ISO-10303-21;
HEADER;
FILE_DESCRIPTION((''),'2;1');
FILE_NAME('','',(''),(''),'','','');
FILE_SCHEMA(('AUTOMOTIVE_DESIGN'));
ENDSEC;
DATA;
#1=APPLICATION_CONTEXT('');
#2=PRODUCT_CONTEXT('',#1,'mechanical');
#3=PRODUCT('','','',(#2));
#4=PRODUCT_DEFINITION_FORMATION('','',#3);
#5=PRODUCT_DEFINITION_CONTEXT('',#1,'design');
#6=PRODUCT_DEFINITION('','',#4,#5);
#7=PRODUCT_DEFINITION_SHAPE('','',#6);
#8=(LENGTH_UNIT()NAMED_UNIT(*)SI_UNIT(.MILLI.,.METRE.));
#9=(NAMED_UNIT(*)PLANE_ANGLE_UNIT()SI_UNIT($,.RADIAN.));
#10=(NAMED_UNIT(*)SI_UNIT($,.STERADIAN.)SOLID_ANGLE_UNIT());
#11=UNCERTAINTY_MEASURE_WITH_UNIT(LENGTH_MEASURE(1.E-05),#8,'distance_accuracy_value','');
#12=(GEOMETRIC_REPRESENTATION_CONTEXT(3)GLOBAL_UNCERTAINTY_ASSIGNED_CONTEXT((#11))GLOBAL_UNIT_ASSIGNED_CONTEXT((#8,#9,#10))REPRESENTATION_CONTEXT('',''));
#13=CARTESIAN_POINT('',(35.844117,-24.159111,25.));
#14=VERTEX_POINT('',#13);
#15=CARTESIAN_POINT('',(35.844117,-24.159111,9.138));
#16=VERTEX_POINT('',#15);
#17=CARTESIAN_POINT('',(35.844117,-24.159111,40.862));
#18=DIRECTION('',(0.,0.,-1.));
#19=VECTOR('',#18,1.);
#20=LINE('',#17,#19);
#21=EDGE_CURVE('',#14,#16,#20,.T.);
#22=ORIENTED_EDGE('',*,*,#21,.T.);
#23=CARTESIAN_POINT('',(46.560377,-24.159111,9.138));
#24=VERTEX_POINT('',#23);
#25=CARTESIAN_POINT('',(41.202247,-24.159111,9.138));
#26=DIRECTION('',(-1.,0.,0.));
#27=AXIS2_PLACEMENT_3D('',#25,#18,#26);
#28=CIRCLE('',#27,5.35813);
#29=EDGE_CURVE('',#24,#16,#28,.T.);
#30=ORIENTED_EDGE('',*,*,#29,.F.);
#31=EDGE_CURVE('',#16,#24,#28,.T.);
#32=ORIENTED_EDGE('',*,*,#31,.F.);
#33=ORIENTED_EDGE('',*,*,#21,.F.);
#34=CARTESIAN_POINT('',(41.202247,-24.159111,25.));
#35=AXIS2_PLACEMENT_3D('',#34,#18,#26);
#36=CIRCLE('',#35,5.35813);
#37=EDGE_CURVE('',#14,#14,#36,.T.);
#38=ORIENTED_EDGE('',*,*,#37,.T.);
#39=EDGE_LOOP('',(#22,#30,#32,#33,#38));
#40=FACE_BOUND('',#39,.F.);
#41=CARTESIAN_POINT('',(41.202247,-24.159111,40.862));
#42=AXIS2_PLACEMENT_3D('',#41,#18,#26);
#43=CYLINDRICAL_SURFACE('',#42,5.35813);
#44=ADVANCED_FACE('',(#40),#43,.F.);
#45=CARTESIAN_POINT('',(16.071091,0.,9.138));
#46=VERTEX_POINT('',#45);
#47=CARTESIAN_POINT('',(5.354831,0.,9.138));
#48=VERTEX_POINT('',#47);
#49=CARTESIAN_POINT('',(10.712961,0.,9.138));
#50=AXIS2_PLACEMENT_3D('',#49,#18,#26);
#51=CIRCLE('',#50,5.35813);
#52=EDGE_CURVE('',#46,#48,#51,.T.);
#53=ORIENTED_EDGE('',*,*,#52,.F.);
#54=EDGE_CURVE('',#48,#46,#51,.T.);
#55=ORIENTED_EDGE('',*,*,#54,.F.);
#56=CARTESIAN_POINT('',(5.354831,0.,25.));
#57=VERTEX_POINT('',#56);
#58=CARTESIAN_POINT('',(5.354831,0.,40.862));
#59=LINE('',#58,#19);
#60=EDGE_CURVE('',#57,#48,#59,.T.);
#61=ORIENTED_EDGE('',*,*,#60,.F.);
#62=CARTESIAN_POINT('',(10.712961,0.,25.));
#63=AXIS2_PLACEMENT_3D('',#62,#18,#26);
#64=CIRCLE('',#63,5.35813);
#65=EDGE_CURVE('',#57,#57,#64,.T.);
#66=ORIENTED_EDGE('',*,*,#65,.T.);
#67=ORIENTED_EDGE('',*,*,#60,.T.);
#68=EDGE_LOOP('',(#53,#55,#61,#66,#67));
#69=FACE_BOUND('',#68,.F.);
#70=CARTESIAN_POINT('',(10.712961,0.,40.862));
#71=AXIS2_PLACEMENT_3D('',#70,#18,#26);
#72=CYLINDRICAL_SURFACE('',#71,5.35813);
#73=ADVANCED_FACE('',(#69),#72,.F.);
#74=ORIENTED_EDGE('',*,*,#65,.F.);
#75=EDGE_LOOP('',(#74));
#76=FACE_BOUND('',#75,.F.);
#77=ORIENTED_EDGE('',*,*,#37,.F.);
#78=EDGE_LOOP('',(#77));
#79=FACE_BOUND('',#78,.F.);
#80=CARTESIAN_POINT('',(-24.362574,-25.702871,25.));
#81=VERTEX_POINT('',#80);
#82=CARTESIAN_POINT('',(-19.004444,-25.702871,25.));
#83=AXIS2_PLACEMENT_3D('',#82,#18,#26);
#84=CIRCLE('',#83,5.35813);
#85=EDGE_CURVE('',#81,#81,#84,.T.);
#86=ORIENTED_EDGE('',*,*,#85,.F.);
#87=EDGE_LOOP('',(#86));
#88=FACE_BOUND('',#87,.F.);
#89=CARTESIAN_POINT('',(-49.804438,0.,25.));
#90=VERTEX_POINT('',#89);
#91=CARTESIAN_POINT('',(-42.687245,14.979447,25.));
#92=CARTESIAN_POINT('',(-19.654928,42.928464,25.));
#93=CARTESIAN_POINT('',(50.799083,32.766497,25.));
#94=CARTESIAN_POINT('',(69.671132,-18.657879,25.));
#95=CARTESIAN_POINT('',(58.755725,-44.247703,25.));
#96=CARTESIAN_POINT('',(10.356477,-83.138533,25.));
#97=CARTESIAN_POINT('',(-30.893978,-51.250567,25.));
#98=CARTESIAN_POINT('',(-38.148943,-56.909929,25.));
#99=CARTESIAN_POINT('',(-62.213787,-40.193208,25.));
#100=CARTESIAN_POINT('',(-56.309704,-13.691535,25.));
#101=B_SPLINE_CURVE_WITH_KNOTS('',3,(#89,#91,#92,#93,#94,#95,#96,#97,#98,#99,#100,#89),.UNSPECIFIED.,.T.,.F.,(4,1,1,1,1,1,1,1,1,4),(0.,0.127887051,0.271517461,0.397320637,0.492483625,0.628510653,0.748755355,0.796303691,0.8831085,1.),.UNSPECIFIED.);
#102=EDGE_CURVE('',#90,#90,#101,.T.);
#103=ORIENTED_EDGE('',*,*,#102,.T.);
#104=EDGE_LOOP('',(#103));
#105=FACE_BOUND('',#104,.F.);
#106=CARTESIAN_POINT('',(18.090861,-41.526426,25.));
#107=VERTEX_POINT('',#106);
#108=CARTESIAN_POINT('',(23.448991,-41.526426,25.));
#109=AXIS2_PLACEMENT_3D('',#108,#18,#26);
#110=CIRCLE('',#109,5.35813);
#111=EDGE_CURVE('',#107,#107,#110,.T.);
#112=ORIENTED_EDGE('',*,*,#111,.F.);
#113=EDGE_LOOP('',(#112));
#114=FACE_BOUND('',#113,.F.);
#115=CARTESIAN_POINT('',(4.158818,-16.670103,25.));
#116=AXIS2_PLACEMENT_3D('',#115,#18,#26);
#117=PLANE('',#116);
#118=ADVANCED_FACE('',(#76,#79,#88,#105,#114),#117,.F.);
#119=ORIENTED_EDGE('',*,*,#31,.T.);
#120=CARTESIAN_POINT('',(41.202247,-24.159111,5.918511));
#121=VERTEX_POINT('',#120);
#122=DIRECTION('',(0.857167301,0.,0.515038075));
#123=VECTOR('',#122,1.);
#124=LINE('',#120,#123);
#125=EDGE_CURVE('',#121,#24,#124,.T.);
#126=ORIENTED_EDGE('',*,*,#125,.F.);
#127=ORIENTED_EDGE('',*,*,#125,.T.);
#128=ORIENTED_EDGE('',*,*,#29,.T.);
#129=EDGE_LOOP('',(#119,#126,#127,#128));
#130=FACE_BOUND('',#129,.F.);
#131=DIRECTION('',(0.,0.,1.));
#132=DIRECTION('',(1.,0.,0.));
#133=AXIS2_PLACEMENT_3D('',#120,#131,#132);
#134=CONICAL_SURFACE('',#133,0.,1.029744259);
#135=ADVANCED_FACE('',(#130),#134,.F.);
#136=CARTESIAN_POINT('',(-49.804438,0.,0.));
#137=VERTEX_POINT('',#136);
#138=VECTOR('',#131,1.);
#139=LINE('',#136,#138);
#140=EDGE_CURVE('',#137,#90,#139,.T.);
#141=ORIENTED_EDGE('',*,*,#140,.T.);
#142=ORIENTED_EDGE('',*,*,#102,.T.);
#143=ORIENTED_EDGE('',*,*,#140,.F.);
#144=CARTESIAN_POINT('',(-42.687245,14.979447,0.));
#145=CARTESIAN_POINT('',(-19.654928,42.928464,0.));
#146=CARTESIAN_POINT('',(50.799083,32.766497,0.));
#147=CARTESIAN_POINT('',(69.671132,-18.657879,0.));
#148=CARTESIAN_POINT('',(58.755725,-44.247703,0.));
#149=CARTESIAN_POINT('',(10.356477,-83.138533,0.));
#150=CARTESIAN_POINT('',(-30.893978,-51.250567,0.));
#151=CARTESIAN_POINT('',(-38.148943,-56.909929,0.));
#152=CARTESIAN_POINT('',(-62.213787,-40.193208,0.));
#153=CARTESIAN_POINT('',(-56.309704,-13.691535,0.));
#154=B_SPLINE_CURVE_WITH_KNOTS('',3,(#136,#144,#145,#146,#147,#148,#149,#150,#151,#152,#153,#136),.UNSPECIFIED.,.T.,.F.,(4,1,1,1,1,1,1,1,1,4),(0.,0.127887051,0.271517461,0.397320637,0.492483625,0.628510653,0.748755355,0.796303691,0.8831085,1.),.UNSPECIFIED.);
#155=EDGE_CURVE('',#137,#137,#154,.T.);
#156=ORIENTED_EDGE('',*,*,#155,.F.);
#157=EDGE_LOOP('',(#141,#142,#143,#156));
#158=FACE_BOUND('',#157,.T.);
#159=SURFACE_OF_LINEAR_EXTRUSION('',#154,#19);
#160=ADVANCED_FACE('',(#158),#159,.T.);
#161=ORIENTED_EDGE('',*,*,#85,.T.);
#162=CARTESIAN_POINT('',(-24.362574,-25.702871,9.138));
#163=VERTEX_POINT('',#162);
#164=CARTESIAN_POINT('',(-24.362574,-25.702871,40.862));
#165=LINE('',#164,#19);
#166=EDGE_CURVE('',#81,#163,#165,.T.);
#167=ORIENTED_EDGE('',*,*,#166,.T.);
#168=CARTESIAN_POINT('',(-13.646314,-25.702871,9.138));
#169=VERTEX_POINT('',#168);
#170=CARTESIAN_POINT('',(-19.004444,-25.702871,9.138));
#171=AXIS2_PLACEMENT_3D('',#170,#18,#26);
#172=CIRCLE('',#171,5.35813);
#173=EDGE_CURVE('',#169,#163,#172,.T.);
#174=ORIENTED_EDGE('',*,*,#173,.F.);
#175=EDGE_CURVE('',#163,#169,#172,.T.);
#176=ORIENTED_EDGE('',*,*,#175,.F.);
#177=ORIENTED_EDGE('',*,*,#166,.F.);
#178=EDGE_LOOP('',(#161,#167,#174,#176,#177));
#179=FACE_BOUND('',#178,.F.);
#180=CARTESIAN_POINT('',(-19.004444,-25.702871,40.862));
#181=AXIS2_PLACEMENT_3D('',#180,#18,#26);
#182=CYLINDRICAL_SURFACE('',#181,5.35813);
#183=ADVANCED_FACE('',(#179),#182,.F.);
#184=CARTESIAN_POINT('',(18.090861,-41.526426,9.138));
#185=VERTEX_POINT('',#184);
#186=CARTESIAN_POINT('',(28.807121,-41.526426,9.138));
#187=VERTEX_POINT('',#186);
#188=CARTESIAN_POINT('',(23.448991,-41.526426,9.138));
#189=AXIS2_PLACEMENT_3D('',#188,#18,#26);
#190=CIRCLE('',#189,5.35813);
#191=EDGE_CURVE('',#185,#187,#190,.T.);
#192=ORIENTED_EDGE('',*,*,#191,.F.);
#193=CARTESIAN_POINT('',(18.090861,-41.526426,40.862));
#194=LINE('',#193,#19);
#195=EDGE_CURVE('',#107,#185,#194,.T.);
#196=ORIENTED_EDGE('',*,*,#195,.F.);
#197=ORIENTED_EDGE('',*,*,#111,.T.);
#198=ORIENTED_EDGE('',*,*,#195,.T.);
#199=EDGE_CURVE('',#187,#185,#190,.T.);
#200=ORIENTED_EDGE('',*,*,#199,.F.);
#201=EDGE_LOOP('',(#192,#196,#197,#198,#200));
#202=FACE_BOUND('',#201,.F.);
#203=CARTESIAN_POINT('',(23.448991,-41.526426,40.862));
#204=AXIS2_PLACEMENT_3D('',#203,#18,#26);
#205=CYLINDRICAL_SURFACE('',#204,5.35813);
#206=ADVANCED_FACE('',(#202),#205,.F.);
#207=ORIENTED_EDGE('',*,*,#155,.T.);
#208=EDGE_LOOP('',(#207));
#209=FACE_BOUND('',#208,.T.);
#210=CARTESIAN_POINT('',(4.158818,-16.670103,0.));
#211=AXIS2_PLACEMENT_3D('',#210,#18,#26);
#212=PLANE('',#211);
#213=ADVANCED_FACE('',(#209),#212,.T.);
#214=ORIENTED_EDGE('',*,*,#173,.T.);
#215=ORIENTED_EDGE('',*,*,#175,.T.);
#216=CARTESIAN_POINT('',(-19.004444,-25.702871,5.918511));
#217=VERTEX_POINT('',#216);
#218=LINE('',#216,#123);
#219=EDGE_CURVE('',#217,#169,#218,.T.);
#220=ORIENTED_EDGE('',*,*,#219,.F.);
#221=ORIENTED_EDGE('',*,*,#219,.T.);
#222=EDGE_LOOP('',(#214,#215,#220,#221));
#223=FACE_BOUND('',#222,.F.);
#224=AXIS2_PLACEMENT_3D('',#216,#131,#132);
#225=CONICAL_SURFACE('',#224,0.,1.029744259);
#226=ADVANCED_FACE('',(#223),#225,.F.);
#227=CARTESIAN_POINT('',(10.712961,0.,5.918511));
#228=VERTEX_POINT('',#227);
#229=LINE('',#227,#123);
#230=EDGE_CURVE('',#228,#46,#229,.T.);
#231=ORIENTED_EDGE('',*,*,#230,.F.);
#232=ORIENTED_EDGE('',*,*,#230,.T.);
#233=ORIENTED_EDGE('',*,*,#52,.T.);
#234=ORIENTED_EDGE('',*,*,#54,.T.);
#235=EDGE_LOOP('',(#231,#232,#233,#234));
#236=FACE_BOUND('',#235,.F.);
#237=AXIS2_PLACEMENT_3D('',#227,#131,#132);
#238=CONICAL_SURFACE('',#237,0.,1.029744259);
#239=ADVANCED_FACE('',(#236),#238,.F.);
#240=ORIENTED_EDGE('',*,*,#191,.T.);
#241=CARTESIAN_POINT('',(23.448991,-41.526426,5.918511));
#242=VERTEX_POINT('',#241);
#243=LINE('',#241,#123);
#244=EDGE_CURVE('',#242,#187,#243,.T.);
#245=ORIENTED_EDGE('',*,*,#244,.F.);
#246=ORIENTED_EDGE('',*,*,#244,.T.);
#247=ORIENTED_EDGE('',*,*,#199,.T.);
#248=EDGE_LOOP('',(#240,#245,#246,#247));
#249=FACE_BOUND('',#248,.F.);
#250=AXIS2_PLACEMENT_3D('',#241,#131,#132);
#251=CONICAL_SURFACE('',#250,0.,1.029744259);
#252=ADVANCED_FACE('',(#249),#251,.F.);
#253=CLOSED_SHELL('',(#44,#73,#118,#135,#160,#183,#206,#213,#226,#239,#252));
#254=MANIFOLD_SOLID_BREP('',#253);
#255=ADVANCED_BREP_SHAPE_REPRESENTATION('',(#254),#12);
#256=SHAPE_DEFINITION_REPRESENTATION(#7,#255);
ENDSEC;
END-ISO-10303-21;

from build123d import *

# Parameters (mm, degrees)
F1_DEPTH = 25
F3_D     = 10.71626
F3_DEPTH = 15.862
F3_TIP   = 3.2194893086


with BuildPart() as f1:
    # F0 (on Top) → F1 (new body)
    with BuildSketch(Plane.XY):
        with BuildLine():
            add(Edge.make_bspline(
                [(-49.8044379056, 0), (-42.6872454442, 14.9794469796), (-19.6549283613, 42.9284638142), (50.7990830116, 32.7664968427), (69.6711318471, -18.6578787101), (58.7557252186, -44.2477033672), (10.3564770147, -83.1385331726), (-30.8939777005, -51.2505670148), (-38.1489431363, -56.9099286478), (-62.2137868249, -40.1932082757), (-56.3097040337, -13.6915349113), (-49.8044379056, 0)],
                knots=[0, 0, 0, 0, 0.1278870515, 0.2715174614, 0.3973206367, 0.4924836254, 0.6285106531, 0.7487553546, 0.796303691, 0.8831084998, 1, 1, 1, 1], degree=3))
        make_face()
    extrude(amount=F1_DEPTH)

    # F3
    with Locations(Plane.XY.offset(25)):
        with Locations((10.712960735, 0), (-19.0044436604, -25.7028713822), (23.4489906579, -41.5264256299), (41.2022471428, -24.1591110826)):
            Hole(F3_D / 2, depth=F3_DEPTH)
            with Locations((0, 0, -(F3_DEPTH + F3_TIP / 2))):  # 118° drill point
                Cone(0, F3_D / 2, F3_TIP, mode=Mode.SUBTRACT)


solid = f1.part
